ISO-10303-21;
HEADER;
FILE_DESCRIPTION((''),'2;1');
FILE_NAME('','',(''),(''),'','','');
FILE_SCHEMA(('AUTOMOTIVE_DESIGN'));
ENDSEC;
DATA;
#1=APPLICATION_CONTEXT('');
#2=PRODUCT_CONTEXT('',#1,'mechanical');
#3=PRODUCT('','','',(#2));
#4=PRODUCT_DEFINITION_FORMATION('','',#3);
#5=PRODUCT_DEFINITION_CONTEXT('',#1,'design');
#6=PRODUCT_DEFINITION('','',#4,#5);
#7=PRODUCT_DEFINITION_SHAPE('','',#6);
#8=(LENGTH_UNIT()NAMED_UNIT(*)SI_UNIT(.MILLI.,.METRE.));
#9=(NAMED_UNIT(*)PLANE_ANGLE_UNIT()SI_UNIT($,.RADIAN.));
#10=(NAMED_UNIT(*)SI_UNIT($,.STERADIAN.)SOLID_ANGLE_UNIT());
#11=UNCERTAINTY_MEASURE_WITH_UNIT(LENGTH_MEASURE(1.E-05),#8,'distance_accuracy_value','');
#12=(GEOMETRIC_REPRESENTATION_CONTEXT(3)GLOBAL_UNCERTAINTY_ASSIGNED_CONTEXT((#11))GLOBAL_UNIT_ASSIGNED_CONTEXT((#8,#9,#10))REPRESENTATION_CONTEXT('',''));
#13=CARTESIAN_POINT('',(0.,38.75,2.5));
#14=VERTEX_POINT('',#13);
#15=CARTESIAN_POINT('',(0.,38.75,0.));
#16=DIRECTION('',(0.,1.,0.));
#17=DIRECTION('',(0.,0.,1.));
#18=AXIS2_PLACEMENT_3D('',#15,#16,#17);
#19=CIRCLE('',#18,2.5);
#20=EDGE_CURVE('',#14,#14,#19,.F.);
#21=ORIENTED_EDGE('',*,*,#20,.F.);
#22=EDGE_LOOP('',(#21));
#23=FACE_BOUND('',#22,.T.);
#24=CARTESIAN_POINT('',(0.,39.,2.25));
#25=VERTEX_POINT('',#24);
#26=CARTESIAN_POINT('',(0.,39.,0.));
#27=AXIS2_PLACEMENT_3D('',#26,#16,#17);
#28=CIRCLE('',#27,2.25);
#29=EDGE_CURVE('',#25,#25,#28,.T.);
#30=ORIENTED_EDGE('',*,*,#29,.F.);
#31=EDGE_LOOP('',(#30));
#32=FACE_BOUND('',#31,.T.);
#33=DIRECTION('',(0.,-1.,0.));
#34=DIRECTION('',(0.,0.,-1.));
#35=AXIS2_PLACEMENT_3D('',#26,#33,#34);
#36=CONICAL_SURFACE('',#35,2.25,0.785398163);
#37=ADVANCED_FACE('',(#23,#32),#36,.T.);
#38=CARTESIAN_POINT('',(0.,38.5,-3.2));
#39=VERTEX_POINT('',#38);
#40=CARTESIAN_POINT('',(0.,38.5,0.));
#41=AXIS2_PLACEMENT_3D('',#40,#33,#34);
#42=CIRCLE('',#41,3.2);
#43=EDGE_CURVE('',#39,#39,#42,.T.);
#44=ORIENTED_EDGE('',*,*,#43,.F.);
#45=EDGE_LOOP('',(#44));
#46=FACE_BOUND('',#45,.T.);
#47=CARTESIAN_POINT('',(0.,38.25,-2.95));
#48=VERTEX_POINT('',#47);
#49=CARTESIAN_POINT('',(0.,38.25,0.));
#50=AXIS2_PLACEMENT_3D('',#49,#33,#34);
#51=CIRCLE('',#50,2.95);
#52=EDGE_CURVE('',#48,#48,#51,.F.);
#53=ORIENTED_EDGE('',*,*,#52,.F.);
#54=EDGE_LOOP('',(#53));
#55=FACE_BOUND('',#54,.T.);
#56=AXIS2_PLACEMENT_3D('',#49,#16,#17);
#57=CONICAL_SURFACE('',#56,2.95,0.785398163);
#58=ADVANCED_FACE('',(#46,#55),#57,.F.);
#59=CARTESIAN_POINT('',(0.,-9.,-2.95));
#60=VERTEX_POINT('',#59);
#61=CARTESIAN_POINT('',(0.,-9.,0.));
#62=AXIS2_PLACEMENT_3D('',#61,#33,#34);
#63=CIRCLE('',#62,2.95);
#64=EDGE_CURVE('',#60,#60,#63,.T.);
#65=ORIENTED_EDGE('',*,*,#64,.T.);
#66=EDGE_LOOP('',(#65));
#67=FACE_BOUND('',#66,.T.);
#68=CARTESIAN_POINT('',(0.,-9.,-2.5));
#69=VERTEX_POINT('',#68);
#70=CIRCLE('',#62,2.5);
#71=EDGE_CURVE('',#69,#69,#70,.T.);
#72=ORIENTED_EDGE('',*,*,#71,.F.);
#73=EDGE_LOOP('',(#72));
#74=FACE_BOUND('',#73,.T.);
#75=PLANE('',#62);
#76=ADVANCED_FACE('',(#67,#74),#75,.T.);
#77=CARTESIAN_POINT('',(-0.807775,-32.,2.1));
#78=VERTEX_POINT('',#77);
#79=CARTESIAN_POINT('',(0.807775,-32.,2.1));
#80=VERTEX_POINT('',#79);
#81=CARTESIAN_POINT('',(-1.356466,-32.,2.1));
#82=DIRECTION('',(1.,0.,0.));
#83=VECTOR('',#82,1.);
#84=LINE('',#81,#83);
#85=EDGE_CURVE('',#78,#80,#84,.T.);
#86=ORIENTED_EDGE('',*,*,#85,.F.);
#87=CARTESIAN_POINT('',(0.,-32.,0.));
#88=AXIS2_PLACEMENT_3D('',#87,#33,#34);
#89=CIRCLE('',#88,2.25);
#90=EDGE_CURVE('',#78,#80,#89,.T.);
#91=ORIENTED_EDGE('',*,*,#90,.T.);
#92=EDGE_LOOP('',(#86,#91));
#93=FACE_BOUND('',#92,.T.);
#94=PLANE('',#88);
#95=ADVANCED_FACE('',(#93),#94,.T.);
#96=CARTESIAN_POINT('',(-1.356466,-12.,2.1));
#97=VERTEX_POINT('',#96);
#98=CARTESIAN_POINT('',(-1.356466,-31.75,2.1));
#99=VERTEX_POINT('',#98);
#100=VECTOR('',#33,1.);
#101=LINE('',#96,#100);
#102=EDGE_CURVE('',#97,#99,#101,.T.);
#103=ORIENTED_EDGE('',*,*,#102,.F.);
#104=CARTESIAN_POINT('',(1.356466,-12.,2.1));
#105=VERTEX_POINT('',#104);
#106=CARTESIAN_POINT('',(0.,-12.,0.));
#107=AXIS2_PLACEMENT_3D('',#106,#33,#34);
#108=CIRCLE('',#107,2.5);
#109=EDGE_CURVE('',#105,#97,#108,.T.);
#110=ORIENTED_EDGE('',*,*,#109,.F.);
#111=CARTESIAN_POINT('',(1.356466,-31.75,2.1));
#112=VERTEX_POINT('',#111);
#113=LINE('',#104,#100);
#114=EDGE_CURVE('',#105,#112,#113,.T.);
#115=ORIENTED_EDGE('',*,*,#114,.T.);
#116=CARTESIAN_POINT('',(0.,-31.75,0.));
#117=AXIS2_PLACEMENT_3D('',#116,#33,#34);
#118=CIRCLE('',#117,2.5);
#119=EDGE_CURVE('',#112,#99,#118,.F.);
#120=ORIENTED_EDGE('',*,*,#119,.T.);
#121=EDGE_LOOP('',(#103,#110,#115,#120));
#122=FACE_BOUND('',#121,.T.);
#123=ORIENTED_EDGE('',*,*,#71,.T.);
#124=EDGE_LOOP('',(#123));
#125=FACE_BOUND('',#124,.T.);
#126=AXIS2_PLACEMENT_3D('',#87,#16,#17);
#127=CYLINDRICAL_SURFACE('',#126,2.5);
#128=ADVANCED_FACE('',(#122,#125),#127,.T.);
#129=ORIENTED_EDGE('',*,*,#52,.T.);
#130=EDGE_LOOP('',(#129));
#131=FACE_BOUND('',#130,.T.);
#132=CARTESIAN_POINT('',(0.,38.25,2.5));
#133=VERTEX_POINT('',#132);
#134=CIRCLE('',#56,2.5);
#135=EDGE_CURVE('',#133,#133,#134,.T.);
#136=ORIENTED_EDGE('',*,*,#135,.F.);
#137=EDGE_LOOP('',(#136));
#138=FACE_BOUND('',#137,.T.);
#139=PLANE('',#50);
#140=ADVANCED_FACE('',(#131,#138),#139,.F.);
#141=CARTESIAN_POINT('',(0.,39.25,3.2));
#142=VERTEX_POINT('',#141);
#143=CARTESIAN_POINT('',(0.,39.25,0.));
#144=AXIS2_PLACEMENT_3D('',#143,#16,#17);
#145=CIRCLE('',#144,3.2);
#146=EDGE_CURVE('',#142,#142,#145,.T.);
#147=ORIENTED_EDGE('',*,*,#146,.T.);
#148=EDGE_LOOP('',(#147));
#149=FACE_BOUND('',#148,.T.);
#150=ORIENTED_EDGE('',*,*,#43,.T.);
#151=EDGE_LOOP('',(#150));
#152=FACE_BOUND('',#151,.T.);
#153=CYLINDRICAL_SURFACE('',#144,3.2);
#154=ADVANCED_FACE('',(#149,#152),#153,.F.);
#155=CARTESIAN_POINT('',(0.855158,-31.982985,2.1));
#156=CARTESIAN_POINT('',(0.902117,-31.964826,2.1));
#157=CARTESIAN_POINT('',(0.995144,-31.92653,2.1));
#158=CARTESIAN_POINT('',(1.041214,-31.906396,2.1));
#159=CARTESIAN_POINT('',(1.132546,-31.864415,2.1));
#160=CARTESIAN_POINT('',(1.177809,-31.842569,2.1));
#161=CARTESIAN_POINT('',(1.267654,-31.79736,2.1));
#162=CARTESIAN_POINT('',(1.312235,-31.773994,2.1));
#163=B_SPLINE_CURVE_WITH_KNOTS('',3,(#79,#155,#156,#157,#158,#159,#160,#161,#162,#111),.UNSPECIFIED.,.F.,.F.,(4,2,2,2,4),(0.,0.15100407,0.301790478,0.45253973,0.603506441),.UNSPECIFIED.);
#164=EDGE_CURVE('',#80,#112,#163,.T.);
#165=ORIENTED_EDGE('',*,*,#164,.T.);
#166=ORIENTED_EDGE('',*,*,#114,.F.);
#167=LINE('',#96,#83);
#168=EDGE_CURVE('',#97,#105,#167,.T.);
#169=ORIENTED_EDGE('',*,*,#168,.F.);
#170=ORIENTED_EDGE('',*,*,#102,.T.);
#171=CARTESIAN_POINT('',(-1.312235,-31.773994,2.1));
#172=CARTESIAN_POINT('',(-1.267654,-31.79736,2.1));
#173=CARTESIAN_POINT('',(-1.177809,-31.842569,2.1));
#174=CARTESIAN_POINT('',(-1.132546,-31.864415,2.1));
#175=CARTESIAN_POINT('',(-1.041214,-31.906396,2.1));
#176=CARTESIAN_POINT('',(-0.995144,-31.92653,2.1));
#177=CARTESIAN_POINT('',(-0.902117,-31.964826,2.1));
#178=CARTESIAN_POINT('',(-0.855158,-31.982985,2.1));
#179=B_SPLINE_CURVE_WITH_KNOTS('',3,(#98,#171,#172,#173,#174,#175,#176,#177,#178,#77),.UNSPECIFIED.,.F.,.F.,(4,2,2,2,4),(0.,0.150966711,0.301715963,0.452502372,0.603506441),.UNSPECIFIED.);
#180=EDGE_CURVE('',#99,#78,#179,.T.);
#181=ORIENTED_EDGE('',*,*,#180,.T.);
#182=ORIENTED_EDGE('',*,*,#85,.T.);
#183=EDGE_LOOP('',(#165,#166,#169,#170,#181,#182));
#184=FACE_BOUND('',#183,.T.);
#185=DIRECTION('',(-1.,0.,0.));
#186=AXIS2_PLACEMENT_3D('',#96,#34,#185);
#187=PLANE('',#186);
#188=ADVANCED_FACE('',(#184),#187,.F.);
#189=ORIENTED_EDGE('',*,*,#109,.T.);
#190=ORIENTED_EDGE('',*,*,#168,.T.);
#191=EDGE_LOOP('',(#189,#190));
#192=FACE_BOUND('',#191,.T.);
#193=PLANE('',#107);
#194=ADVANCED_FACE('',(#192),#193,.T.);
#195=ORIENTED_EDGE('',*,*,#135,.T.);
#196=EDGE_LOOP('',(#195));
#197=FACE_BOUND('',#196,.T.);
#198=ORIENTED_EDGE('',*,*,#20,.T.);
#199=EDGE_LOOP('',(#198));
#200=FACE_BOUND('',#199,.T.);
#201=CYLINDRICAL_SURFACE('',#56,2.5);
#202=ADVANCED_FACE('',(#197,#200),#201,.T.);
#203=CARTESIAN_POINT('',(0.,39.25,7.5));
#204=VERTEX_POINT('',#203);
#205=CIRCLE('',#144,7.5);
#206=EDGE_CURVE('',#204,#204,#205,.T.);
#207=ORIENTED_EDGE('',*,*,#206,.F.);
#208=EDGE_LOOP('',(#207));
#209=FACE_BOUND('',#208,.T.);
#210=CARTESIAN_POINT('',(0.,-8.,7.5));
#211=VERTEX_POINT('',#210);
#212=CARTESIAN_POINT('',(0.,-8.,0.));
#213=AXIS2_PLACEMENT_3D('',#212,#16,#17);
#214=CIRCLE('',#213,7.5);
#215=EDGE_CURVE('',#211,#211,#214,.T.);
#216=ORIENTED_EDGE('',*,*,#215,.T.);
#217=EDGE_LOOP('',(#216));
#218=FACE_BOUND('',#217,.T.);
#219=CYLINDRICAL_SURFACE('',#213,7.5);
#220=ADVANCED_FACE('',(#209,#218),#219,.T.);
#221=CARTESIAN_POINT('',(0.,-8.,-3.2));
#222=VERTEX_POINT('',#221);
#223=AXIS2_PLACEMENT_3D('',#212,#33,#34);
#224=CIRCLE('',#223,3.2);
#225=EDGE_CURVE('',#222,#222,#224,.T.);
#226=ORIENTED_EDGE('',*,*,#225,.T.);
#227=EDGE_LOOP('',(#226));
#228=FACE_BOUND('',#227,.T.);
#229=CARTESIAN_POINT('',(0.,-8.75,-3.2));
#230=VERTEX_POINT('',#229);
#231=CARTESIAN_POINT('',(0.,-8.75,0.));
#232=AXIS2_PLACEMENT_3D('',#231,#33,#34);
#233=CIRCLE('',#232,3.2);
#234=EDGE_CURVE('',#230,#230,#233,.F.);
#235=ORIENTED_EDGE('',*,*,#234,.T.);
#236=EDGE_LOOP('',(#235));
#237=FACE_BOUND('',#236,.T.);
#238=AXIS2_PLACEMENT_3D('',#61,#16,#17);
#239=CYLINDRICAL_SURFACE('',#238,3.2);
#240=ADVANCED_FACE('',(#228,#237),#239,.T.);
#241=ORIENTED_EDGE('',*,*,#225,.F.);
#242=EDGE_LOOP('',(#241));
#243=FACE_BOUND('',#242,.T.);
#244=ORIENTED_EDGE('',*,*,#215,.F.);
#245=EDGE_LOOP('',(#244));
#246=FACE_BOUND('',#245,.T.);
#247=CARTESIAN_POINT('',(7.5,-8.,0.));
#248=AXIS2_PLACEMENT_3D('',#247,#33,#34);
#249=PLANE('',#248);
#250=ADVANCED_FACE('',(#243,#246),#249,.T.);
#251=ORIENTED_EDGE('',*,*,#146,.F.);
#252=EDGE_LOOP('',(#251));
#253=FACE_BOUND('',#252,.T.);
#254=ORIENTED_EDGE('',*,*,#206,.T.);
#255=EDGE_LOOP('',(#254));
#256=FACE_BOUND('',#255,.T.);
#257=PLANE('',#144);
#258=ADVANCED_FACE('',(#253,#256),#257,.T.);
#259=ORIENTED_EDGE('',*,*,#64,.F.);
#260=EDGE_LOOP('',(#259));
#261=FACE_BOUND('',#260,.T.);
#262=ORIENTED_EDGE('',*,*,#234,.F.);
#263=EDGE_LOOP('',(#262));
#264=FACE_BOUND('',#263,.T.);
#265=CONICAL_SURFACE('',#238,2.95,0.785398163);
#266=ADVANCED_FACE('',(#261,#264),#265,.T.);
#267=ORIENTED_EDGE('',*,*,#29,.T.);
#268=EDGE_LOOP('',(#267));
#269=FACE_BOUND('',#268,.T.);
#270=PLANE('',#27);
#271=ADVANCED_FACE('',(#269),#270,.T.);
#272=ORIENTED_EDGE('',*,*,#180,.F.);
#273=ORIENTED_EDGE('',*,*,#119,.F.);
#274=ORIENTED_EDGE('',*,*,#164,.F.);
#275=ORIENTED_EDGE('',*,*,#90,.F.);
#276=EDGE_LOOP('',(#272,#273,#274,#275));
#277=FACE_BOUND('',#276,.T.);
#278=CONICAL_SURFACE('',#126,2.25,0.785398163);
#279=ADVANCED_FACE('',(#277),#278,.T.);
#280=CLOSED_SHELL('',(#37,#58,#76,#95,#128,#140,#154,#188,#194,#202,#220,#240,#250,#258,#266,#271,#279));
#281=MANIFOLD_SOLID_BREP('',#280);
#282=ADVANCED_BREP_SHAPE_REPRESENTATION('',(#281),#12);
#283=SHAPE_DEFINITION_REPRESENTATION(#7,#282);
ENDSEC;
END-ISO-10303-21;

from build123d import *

# Parameters (mm, degrees)
CROQUIS1_W                          = 7.5
CROQUIS1_H                          = 47.25
CROQUIS2_R                          = 3.2
SALIENTE_EXTRUIR1_DEPTH             = 1
CROQUIS3_R                          = 2.5
SALIENTE_EXTRUIR2_DEPTH             = 23
CORTAR_EXTRUIR1_START               = -20
CORTAR_EXTRUIR1_DEPTH               = 20
DI_METRO_DE_TALADRO_6_4_6_4_1_D     = 6.4
DI_METRO_DE_TALADRO_6_4_6_4_1_DEPTH = 1
CROQUIS7_W                          = 2.5
CROQUIS7_H                          = 0.75
CHAFL_N1_SIZE                       = 0.25


with BuildPart() as part:
    # Croquis1 → Revolución1 (revolve)
    with BuildSketch(Plane(origin=(0, 0, 0), x_dir=(-1, 0, 0), z_dir=(0, 0, -1)), mode=Mode.PRIVATE) as revoluci_n1_sk:
        with Locations((-3.75, 15.625)):
            Rectangle(CROQUIS1_W, CROQUIS1_H)
    revolve(revoluci_n1_sk.sketch.rotate(Axis((0, -8, 0), (0, 1, 0)), 270), axis=Axis((0, -8, 0), (0, 1, 0)))

    # Croquis2 → Saliente-Extruir1 (add)
    with BuildSketch(Plane.XZ.offset(8)):
        with Locations(Location((0, 0, 0), (0, 0, 270))):
            Circle(CROQUIS2_R)
    extrude(amount=SALIENTE_EXTRUIR1_DEPTH)

    # Croquis3 → Saliente-Extruir2 (add)
    with BuildSketch(Plane.XZ.offset(9)):
        with Locations(Location((0, 0, 0), (0, 0, 270))):
            Circle(CROQUIS3_R)
    extrude(amount=SALIENTE_EXTRUIR2_DEPTH)

    # Croquis4 → Cortar-Extruir1 (cut)
    with BuildSketch(Plane.XZ.offset(32).offset(CORTAR_EXTRUIR1_START)):
        with BuildLine():
            Line((-1.356465997, 2.1), (1.356465997, 2.1))
            ThreePointArc((1.356465997, 2.1), (0, 2.5), (-1.356465997, 2.1))
        make_face()
    extrude(amount=CORTAR_EXTRUIR1_DEPTH, mode=Mode.SUBTRACT)

    # Diámetro de taladro Ø6.4 (6.4)1
    with Locations(Plane(origin=(0, 39.25, 0), x_dir=(1, 0, 0), z_dir=(0, 1, 0))):
        with Locations((0, 0)):
            Hole(DI_METRO_DE_TALADRO_6_4_6_4_1_D / 2, depth=DI_METRO_DE_TALADRO_6_4_6_4_1_DEPTH)

    # Croquis7 → Revolución2 (revolve)
    with BuildSketch(Plane(origin=(0, 0, 0), x_dir=(-1, 0, 0), z_dir=(0, 0, -1)), mode=Mode.PRIVATE) as revoluci_n2_sk:
        with Locations((-1.25, 38.625)):
            Rectangle(CROQUIS7_W, CROQUIS7_H)
    revolve(revoluci_n2_sk.sketch.rotate(Axis((0, 38.25, 0), (0, 1, 0)), 270), axis=Axis((0, 38.25, 0), (0, 1, 0)))

    # Chaflán1
    chafl_n1_edges = [part.edges().sort_by_distance(p)[0] for p in [
        (0, -9, 3.2),
        (-2.397915762, -32, -0.707106781),
        (3.2, 38.25, 0),
        (0, 39, -2.5),
    ]]
    chamfer(chafl_n1_edges, length=CHAFL_N1_SIZE)


solid = part.part
